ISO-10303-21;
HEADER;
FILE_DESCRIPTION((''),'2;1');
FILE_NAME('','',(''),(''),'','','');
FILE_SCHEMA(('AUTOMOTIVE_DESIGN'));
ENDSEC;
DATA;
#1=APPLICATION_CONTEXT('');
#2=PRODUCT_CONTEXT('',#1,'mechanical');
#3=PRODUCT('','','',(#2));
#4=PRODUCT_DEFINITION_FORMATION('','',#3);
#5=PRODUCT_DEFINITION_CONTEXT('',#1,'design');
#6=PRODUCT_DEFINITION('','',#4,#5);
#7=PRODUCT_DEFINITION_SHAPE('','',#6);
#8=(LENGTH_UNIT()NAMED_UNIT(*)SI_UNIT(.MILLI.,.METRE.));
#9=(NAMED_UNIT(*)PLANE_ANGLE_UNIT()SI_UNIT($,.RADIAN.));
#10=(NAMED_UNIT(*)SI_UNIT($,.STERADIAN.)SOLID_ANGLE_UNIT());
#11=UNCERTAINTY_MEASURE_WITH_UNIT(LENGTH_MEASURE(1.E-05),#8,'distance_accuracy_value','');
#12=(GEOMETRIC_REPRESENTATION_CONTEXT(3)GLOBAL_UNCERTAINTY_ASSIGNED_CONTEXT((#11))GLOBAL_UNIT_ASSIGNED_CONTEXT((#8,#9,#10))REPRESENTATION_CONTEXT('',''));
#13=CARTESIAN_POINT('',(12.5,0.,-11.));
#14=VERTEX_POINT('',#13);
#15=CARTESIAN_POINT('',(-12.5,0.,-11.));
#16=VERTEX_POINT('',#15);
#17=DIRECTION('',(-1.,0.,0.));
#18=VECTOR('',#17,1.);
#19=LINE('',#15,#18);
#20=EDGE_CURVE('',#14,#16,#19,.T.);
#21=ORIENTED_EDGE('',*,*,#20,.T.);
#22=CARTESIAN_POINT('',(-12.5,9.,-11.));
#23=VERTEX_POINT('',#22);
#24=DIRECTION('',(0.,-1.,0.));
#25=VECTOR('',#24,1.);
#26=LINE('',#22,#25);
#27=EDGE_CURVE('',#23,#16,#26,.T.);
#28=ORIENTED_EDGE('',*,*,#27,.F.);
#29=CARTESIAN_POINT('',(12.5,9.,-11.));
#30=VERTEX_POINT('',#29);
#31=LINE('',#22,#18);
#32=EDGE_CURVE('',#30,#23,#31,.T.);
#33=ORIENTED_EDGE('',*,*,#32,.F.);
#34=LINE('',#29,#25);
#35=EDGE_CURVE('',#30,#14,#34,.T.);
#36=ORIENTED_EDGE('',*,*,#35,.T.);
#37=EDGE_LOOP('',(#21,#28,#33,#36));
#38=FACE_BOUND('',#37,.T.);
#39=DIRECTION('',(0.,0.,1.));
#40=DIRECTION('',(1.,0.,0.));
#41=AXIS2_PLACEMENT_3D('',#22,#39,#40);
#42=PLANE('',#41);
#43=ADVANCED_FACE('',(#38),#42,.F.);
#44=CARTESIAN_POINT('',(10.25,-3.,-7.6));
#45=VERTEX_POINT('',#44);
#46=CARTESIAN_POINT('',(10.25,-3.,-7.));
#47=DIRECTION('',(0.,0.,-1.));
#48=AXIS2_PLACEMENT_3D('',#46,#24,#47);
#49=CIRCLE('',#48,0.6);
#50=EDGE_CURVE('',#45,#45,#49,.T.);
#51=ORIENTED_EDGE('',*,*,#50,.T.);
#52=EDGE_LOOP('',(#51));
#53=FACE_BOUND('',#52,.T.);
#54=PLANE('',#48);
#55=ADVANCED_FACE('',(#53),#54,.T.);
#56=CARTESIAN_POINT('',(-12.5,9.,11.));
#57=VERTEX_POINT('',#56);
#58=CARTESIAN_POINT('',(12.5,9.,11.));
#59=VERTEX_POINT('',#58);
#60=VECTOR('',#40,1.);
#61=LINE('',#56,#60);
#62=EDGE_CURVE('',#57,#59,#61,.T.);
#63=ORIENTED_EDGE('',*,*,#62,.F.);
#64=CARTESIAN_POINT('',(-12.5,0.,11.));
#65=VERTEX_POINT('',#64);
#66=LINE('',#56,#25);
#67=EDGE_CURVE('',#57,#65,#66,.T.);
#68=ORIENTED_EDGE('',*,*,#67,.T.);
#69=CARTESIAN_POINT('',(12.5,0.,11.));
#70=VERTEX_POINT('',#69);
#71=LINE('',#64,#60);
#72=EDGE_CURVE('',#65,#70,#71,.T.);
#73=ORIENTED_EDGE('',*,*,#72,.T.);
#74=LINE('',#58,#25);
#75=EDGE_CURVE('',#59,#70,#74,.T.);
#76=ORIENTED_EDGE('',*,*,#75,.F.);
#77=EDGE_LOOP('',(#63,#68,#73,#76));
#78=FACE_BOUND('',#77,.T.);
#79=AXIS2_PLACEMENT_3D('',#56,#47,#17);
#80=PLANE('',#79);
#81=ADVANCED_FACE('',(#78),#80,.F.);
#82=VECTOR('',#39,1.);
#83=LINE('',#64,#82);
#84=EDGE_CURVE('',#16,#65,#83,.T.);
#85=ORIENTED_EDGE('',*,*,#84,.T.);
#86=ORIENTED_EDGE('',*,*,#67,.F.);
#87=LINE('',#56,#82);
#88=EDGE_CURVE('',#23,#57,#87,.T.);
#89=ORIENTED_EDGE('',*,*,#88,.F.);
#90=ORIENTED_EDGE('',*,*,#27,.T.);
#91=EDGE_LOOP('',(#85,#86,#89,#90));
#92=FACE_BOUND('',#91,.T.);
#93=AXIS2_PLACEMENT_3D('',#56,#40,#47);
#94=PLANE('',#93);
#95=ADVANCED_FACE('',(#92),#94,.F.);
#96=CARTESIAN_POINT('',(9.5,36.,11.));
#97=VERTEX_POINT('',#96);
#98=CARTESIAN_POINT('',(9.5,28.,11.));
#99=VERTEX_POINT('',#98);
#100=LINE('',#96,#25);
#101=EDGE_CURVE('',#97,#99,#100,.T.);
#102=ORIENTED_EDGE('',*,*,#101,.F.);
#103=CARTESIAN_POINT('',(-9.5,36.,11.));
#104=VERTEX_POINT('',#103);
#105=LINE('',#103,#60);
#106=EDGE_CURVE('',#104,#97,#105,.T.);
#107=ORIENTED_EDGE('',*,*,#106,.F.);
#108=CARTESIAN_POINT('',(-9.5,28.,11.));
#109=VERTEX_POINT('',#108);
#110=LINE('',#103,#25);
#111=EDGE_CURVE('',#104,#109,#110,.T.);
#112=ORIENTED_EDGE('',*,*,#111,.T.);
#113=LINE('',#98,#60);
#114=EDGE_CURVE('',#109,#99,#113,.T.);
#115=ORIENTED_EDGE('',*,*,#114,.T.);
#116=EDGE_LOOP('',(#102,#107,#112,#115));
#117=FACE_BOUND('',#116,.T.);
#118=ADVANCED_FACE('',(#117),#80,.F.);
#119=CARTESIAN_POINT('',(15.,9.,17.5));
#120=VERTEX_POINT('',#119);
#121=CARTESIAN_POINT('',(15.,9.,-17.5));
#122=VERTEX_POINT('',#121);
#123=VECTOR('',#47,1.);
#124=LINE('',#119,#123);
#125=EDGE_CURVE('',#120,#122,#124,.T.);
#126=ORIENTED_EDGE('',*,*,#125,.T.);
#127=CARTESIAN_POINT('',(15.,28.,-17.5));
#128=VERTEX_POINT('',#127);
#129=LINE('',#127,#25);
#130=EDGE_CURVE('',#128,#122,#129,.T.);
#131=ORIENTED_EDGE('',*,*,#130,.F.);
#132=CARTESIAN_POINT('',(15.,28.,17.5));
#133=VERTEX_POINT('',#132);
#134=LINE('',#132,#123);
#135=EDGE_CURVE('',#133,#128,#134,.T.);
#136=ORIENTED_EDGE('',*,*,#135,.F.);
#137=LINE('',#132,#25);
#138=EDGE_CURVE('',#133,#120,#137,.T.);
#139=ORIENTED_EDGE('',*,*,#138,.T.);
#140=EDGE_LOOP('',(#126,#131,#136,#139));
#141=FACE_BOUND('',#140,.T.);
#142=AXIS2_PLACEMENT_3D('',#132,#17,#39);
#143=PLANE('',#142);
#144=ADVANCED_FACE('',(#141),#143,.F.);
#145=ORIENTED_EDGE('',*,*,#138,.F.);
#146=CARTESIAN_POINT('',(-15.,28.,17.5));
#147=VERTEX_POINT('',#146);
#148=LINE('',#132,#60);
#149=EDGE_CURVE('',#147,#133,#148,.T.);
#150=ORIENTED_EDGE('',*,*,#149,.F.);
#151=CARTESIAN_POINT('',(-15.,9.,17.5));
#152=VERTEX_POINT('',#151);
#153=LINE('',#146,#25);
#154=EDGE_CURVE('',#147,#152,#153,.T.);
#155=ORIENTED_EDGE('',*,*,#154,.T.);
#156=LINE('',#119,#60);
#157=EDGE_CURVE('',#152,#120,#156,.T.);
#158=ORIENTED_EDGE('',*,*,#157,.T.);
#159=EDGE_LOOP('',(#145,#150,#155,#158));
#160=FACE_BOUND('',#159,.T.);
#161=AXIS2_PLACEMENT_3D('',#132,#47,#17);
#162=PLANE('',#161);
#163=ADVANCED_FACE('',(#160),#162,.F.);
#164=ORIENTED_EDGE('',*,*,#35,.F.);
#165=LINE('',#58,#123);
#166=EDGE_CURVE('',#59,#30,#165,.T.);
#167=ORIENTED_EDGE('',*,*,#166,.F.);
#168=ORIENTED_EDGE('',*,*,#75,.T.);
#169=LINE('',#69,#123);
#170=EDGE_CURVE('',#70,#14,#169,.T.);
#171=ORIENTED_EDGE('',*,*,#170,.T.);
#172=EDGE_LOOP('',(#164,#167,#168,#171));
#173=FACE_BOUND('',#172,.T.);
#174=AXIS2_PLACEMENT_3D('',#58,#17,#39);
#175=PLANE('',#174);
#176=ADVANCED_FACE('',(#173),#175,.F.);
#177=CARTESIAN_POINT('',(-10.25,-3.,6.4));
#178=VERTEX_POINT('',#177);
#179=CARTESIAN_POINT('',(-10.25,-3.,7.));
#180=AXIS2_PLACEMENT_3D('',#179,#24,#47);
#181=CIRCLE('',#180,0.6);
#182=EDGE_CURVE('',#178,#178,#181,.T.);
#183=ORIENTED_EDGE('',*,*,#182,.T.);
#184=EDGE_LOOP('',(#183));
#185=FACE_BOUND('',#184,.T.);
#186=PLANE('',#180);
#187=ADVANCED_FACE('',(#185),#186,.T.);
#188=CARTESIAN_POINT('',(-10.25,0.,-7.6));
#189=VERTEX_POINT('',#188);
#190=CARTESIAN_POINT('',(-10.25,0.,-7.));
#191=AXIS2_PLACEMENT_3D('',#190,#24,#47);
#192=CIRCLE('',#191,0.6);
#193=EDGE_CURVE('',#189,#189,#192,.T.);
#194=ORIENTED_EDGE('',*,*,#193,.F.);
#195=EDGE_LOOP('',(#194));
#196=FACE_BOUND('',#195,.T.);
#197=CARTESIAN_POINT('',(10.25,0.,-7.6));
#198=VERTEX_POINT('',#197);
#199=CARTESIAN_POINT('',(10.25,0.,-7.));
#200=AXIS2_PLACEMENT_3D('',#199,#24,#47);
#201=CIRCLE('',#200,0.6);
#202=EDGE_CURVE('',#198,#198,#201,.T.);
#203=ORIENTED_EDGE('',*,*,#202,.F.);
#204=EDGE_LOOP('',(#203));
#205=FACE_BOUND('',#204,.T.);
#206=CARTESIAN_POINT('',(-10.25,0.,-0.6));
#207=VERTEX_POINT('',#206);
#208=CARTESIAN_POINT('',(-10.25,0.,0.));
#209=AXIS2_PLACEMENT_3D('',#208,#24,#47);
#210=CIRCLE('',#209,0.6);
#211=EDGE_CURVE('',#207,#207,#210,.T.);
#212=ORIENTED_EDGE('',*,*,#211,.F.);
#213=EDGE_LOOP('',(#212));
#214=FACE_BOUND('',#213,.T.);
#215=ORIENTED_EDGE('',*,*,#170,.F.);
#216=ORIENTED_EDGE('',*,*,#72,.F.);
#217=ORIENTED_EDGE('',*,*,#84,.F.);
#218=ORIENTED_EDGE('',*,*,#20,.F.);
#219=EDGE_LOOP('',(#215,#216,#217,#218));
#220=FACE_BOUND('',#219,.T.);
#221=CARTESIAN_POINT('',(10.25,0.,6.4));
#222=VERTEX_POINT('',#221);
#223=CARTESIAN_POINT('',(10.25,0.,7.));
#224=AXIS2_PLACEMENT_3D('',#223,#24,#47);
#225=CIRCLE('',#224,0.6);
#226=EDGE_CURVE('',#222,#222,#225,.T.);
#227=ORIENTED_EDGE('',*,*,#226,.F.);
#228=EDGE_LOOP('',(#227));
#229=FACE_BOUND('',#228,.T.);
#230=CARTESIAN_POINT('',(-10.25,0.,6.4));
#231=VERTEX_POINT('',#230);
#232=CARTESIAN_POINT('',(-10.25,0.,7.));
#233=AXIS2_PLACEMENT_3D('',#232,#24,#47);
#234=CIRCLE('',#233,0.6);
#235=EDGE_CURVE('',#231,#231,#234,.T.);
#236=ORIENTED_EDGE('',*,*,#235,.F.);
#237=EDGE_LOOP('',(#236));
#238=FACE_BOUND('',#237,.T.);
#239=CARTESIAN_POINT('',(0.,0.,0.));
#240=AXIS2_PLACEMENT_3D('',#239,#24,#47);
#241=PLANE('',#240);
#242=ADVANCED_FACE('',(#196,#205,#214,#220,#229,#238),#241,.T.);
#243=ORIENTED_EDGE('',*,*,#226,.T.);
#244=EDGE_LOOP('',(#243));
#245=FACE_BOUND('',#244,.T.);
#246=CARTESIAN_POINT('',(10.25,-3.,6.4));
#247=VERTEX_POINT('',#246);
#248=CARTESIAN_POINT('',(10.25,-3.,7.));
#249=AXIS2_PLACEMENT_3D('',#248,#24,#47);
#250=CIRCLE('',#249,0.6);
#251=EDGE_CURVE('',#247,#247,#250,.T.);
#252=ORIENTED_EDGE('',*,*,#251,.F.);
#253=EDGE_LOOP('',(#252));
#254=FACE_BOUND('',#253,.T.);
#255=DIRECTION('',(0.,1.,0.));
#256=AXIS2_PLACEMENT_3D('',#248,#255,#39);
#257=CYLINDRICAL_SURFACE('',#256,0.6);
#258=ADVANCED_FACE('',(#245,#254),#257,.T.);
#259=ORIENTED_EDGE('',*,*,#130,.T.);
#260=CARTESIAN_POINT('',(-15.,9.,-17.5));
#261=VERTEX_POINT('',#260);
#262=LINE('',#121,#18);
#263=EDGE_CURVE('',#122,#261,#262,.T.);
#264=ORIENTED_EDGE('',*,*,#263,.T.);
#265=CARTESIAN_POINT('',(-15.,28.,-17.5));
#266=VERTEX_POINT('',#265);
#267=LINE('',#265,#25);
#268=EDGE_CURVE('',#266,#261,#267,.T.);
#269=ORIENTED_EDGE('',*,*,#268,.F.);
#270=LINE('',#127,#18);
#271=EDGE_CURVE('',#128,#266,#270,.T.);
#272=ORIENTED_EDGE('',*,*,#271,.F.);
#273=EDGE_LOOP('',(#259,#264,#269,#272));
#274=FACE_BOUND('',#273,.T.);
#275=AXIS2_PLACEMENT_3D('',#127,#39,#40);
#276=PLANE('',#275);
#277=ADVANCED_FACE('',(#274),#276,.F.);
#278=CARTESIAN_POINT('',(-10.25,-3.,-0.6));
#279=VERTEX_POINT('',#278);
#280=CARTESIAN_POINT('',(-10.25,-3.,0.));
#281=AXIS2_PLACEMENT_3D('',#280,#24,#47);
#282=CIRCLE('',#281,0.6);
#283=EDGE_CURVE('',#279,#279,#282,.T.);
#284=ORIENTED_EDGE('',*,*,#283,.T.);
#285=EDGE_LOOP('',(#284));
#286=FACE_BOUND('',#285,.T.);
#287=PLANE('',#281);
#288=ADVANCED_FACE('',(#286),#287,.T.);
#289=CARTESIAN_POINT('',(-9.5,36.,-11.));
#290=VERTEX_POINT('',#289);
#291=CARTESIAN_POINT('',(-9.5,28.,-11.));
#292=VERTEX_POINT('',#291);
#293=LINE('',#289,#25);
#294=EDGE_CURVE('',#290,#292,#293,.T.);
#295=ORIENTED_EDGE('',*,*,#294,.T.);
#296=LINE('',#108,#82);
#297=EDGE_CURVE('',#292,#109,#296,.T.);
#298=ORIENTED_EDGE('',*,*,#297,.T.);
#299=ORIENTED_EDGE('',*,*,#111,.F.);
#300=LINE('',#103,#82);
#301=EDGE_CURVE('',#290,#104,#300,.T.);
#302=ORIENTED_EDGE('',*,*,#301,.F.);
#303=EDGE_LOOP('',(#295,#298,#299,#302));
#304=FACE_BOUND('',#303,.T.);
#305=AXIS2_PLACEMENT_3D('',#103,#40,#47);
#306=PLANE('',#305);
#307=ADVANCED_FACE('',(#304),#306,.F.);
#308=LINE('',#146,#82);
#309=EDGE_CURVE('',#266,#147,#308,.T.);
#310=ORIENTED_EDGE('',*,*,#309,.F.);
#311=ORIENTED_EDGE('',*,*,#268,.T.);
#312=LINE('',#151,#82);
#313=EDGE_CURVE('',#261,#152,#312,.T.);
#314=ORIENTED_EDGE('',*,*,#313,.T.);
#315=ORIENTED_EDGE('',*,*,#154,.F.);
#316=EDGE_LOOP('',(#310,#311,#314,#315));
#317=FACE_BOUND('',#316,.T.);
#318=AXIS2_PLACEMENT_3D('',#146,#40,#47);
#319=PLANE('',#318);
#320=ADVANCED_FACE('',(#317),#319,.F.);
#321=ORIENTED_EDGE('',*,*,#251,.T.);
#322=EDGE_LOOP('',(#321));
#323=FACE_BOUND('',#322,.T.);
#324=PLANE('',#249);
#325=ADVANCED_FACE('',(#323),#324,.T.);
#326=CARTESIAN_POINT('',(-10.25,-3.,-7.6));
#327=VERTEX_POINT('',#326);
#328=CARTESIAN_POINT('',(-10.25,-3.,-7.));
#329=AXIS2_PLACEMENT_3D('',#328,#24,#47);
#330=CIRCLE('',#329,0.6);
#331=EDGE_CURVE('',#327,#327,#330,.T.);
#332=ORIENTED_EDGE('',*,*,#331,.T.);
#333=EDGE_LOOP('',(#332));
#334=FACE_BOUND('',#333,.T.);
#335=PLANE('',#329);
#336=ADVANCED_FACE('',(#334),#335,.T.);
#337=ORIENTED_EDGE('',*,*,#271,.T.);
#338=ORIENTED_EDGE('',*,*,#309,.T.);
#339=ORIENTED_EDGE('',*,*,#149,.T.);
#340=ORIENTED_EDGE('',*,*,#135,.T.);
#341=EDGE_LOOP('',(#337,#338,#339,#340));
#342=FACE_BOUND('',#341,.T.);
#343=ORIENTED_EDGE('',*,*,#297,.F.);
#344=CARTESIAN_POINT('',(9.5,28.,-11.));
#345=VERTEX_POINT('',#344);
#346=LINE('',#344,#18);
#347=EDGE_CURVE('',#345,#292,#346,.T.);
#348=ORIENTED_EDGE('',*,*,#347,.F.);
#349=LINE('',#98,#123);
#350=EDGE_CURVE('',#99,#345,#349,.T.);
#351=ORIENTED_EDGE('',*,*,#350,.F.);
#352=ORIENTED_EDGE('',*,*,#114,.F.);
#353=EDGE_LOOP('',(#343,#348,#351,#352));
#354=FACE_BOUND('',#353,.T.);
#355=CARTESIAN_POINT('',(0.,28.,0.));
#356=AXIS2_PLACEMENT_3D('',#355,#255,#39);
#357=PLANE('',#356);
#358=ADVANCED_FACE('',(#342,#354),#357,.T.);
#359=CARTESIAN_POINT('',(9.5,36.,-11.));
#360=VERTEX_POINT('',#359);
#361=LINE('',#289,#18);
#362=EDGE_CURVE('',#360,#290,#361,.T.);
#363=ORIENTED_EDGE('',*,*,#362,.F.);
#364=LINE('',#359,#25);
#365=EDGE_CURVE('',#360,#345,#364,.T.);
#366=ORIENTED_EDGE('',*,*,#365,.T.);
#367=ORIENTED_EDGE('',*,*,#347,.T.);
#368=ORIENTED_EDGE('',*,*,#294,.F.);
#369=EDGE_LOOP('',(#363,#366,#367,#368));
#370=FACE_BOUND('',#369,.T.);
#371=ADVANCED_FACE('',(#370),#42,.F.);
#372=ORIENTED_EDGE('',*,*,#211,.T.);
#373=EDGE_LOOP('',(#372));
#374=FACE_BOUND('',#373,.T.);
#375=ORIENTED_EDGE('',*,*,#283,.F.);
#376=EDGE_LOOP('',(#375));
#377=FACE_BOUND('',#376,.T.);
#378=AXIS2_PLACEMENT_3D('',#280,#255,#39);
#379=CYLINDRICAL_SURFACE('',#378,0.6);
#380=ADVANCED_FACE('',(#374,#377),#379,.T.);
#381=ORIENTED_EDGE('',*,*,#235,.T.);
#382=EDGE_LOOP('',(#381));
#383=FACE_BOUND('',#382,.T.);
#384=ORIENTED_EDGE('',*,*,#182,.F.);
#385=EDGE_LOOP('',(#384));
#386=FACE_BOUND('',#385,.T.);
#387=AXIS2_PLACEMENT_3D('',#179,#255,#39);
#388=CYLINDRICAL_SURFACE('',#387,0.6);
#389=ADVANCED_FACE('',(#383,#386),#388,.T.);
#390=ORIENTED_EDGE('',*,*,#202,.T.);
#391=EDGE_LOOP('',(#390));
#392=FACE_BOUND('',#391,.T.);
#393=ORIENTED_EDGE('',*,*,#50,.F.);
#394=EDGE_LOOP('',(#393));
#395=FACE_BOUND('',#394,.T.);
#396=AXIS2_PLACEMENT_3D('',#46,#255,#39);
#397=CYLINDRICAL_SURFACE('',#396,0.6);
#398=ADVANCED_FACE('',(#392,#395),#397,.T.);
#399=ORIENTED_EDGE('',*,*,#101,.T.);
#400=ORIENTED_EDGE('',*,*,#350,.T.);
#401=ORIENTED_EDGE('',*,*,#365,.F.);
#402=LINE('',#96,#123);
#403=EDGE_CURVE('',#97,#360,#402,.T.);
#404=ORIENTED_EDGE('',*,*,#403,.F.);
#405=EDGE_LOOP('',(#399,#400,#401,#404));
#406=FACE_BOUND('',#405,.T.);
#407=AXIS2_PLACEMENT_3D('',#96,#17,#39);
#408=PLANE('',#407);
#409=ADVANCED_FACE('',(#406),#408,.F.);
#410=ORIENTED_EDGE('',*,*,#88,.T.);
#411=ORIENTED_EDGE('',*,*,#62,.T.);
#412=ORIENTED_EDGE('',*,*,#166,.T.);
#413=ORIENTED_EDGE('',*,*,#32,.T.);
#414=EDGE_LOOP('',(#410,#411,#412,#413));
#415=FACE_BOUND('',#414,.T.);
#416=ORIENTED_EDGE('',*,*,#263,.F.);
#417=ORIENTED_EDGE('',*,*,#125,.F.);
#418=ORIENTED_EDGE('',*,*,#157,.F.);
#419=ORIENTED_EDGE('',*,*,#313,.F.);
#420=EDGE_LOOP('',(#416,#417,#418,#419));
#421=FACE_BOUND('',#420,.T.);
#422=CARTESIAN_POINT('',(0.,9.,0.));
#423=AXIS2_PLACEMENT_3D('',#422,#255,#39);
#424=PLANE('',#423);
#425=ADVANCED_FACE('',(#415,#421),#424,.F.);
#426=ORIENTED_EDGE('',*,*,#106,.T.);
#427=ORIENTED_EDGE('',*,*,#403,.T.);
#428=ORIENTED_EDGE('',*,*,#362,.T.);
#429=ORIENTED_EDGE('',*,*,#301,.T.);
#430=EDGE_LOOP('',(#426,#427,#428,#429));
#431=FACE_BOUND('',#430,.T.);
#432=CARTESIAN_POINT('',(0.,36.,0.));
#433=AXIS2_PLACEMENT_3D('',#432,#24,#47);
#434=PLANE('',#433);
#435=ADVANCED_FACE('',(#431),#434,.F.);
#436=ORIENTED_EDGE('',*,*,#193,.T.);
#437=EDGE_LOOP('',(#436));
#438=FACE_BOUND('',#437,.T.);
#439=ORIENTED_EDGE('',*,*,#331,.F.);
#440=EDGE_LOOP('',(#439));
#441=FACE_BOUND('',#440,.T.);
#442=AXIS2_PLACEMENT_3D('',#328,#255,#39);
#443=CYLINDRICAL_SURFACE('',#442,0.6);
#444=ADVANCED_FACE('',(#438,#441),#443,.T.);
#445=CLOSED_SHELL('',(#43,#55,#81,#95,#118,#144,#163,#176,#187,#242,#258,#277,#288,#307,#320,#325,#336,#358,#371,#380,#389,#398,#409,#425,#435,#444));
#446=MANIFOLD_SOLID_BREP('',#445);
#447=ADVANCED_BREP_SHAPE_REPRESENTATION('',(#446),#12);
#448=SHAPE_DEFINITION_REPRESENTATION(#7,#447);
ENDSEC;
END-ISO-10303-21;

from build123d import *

# Parameters (mm, degrees)
SKETCH_1_W      = 25
SKETCH_1_H      = 22
EXTRUDE_1_DEPTH = 9
SKETCH_2_W      = 19
SKETCH_2_H      = 22
EXTRUDE_2_DEPTH = 27
SKETCH_4_R      = 0.6
EXTRUDE_4_DEPTH = 3
SKETCH_3_W      = 30
SKETCH_3_H      = 35
SKETCH_3_W_2    = 19
SKETCH_3_H_2    = 22
EXTRUDE_6_DEPTH = 19


with BuildPart() as part:
    # Эскиз1 → Бобышка-Вытянуть1 (new body)
    with BuildSketch(Plane(origin=(0, 0, 0), x_dir=(1, 0, 0), z_dir=(0, 1, 0))):
        Rectangle(SKETCH_1_W, SKETCH_1_H)
    extrude(amount=EXTRUDE_1_DEPTH)

    # Эскиз2 → Бобышка-Вытянуть2 (add)
    with BuildSketch(Plane(origin=(0, 9, 0), x_dir=(1, 0, 0), z_dir=(0, 1, 0))):
        Rectangle(SKETCH_2_W, SKETCH_2_H)
    extrude(amount=EXTRUDE_2_DEPTH)

    # Эскиз4 → Бобышка-Вытянуть4 (add)
    with BuildSketch(Plane.XZ):
        with Locations(Location((10.25, -7, 0), (0, 0, 270))):
            Circle(SKETCH_4_R)
        with Locations(Location((10.25, 7, 0), (0, 0, 270))):
            Circle(SKETCH_4_R)
        with Locations(Location((-10.25, 7, 0), (0, 0, 270))):
            Circle(SKETCH_4_R)
        with Locations(Location((-10.25, -7, 0), (0, 0, 270))):
            Circle(SKETCH_4_R)
        with Locations(Location((-10.25, 0, 0), (0, 0, 270))):
            Circle(SKETCH_4_R)
    extrude(amount=EXTRUDE_4_DEPTH)

    # Эскиз3 → Бобышка-Вытянуть6 (add)
    with BuildSketch(Plane(origin=(0, 9, 0), x_dir=(1, 0, 0), z_dir=(0, 1, 0))):
        Rectangle(SKETCH_3_W, SKETCH_3_H)
        Rectangle(SKETCH_3_W_2, SKETCH_3_H_2, mode=Mode.SUBTRACT)
    extrude(amount=EXTRUDE_6_DEPTH)


solid = part.part
